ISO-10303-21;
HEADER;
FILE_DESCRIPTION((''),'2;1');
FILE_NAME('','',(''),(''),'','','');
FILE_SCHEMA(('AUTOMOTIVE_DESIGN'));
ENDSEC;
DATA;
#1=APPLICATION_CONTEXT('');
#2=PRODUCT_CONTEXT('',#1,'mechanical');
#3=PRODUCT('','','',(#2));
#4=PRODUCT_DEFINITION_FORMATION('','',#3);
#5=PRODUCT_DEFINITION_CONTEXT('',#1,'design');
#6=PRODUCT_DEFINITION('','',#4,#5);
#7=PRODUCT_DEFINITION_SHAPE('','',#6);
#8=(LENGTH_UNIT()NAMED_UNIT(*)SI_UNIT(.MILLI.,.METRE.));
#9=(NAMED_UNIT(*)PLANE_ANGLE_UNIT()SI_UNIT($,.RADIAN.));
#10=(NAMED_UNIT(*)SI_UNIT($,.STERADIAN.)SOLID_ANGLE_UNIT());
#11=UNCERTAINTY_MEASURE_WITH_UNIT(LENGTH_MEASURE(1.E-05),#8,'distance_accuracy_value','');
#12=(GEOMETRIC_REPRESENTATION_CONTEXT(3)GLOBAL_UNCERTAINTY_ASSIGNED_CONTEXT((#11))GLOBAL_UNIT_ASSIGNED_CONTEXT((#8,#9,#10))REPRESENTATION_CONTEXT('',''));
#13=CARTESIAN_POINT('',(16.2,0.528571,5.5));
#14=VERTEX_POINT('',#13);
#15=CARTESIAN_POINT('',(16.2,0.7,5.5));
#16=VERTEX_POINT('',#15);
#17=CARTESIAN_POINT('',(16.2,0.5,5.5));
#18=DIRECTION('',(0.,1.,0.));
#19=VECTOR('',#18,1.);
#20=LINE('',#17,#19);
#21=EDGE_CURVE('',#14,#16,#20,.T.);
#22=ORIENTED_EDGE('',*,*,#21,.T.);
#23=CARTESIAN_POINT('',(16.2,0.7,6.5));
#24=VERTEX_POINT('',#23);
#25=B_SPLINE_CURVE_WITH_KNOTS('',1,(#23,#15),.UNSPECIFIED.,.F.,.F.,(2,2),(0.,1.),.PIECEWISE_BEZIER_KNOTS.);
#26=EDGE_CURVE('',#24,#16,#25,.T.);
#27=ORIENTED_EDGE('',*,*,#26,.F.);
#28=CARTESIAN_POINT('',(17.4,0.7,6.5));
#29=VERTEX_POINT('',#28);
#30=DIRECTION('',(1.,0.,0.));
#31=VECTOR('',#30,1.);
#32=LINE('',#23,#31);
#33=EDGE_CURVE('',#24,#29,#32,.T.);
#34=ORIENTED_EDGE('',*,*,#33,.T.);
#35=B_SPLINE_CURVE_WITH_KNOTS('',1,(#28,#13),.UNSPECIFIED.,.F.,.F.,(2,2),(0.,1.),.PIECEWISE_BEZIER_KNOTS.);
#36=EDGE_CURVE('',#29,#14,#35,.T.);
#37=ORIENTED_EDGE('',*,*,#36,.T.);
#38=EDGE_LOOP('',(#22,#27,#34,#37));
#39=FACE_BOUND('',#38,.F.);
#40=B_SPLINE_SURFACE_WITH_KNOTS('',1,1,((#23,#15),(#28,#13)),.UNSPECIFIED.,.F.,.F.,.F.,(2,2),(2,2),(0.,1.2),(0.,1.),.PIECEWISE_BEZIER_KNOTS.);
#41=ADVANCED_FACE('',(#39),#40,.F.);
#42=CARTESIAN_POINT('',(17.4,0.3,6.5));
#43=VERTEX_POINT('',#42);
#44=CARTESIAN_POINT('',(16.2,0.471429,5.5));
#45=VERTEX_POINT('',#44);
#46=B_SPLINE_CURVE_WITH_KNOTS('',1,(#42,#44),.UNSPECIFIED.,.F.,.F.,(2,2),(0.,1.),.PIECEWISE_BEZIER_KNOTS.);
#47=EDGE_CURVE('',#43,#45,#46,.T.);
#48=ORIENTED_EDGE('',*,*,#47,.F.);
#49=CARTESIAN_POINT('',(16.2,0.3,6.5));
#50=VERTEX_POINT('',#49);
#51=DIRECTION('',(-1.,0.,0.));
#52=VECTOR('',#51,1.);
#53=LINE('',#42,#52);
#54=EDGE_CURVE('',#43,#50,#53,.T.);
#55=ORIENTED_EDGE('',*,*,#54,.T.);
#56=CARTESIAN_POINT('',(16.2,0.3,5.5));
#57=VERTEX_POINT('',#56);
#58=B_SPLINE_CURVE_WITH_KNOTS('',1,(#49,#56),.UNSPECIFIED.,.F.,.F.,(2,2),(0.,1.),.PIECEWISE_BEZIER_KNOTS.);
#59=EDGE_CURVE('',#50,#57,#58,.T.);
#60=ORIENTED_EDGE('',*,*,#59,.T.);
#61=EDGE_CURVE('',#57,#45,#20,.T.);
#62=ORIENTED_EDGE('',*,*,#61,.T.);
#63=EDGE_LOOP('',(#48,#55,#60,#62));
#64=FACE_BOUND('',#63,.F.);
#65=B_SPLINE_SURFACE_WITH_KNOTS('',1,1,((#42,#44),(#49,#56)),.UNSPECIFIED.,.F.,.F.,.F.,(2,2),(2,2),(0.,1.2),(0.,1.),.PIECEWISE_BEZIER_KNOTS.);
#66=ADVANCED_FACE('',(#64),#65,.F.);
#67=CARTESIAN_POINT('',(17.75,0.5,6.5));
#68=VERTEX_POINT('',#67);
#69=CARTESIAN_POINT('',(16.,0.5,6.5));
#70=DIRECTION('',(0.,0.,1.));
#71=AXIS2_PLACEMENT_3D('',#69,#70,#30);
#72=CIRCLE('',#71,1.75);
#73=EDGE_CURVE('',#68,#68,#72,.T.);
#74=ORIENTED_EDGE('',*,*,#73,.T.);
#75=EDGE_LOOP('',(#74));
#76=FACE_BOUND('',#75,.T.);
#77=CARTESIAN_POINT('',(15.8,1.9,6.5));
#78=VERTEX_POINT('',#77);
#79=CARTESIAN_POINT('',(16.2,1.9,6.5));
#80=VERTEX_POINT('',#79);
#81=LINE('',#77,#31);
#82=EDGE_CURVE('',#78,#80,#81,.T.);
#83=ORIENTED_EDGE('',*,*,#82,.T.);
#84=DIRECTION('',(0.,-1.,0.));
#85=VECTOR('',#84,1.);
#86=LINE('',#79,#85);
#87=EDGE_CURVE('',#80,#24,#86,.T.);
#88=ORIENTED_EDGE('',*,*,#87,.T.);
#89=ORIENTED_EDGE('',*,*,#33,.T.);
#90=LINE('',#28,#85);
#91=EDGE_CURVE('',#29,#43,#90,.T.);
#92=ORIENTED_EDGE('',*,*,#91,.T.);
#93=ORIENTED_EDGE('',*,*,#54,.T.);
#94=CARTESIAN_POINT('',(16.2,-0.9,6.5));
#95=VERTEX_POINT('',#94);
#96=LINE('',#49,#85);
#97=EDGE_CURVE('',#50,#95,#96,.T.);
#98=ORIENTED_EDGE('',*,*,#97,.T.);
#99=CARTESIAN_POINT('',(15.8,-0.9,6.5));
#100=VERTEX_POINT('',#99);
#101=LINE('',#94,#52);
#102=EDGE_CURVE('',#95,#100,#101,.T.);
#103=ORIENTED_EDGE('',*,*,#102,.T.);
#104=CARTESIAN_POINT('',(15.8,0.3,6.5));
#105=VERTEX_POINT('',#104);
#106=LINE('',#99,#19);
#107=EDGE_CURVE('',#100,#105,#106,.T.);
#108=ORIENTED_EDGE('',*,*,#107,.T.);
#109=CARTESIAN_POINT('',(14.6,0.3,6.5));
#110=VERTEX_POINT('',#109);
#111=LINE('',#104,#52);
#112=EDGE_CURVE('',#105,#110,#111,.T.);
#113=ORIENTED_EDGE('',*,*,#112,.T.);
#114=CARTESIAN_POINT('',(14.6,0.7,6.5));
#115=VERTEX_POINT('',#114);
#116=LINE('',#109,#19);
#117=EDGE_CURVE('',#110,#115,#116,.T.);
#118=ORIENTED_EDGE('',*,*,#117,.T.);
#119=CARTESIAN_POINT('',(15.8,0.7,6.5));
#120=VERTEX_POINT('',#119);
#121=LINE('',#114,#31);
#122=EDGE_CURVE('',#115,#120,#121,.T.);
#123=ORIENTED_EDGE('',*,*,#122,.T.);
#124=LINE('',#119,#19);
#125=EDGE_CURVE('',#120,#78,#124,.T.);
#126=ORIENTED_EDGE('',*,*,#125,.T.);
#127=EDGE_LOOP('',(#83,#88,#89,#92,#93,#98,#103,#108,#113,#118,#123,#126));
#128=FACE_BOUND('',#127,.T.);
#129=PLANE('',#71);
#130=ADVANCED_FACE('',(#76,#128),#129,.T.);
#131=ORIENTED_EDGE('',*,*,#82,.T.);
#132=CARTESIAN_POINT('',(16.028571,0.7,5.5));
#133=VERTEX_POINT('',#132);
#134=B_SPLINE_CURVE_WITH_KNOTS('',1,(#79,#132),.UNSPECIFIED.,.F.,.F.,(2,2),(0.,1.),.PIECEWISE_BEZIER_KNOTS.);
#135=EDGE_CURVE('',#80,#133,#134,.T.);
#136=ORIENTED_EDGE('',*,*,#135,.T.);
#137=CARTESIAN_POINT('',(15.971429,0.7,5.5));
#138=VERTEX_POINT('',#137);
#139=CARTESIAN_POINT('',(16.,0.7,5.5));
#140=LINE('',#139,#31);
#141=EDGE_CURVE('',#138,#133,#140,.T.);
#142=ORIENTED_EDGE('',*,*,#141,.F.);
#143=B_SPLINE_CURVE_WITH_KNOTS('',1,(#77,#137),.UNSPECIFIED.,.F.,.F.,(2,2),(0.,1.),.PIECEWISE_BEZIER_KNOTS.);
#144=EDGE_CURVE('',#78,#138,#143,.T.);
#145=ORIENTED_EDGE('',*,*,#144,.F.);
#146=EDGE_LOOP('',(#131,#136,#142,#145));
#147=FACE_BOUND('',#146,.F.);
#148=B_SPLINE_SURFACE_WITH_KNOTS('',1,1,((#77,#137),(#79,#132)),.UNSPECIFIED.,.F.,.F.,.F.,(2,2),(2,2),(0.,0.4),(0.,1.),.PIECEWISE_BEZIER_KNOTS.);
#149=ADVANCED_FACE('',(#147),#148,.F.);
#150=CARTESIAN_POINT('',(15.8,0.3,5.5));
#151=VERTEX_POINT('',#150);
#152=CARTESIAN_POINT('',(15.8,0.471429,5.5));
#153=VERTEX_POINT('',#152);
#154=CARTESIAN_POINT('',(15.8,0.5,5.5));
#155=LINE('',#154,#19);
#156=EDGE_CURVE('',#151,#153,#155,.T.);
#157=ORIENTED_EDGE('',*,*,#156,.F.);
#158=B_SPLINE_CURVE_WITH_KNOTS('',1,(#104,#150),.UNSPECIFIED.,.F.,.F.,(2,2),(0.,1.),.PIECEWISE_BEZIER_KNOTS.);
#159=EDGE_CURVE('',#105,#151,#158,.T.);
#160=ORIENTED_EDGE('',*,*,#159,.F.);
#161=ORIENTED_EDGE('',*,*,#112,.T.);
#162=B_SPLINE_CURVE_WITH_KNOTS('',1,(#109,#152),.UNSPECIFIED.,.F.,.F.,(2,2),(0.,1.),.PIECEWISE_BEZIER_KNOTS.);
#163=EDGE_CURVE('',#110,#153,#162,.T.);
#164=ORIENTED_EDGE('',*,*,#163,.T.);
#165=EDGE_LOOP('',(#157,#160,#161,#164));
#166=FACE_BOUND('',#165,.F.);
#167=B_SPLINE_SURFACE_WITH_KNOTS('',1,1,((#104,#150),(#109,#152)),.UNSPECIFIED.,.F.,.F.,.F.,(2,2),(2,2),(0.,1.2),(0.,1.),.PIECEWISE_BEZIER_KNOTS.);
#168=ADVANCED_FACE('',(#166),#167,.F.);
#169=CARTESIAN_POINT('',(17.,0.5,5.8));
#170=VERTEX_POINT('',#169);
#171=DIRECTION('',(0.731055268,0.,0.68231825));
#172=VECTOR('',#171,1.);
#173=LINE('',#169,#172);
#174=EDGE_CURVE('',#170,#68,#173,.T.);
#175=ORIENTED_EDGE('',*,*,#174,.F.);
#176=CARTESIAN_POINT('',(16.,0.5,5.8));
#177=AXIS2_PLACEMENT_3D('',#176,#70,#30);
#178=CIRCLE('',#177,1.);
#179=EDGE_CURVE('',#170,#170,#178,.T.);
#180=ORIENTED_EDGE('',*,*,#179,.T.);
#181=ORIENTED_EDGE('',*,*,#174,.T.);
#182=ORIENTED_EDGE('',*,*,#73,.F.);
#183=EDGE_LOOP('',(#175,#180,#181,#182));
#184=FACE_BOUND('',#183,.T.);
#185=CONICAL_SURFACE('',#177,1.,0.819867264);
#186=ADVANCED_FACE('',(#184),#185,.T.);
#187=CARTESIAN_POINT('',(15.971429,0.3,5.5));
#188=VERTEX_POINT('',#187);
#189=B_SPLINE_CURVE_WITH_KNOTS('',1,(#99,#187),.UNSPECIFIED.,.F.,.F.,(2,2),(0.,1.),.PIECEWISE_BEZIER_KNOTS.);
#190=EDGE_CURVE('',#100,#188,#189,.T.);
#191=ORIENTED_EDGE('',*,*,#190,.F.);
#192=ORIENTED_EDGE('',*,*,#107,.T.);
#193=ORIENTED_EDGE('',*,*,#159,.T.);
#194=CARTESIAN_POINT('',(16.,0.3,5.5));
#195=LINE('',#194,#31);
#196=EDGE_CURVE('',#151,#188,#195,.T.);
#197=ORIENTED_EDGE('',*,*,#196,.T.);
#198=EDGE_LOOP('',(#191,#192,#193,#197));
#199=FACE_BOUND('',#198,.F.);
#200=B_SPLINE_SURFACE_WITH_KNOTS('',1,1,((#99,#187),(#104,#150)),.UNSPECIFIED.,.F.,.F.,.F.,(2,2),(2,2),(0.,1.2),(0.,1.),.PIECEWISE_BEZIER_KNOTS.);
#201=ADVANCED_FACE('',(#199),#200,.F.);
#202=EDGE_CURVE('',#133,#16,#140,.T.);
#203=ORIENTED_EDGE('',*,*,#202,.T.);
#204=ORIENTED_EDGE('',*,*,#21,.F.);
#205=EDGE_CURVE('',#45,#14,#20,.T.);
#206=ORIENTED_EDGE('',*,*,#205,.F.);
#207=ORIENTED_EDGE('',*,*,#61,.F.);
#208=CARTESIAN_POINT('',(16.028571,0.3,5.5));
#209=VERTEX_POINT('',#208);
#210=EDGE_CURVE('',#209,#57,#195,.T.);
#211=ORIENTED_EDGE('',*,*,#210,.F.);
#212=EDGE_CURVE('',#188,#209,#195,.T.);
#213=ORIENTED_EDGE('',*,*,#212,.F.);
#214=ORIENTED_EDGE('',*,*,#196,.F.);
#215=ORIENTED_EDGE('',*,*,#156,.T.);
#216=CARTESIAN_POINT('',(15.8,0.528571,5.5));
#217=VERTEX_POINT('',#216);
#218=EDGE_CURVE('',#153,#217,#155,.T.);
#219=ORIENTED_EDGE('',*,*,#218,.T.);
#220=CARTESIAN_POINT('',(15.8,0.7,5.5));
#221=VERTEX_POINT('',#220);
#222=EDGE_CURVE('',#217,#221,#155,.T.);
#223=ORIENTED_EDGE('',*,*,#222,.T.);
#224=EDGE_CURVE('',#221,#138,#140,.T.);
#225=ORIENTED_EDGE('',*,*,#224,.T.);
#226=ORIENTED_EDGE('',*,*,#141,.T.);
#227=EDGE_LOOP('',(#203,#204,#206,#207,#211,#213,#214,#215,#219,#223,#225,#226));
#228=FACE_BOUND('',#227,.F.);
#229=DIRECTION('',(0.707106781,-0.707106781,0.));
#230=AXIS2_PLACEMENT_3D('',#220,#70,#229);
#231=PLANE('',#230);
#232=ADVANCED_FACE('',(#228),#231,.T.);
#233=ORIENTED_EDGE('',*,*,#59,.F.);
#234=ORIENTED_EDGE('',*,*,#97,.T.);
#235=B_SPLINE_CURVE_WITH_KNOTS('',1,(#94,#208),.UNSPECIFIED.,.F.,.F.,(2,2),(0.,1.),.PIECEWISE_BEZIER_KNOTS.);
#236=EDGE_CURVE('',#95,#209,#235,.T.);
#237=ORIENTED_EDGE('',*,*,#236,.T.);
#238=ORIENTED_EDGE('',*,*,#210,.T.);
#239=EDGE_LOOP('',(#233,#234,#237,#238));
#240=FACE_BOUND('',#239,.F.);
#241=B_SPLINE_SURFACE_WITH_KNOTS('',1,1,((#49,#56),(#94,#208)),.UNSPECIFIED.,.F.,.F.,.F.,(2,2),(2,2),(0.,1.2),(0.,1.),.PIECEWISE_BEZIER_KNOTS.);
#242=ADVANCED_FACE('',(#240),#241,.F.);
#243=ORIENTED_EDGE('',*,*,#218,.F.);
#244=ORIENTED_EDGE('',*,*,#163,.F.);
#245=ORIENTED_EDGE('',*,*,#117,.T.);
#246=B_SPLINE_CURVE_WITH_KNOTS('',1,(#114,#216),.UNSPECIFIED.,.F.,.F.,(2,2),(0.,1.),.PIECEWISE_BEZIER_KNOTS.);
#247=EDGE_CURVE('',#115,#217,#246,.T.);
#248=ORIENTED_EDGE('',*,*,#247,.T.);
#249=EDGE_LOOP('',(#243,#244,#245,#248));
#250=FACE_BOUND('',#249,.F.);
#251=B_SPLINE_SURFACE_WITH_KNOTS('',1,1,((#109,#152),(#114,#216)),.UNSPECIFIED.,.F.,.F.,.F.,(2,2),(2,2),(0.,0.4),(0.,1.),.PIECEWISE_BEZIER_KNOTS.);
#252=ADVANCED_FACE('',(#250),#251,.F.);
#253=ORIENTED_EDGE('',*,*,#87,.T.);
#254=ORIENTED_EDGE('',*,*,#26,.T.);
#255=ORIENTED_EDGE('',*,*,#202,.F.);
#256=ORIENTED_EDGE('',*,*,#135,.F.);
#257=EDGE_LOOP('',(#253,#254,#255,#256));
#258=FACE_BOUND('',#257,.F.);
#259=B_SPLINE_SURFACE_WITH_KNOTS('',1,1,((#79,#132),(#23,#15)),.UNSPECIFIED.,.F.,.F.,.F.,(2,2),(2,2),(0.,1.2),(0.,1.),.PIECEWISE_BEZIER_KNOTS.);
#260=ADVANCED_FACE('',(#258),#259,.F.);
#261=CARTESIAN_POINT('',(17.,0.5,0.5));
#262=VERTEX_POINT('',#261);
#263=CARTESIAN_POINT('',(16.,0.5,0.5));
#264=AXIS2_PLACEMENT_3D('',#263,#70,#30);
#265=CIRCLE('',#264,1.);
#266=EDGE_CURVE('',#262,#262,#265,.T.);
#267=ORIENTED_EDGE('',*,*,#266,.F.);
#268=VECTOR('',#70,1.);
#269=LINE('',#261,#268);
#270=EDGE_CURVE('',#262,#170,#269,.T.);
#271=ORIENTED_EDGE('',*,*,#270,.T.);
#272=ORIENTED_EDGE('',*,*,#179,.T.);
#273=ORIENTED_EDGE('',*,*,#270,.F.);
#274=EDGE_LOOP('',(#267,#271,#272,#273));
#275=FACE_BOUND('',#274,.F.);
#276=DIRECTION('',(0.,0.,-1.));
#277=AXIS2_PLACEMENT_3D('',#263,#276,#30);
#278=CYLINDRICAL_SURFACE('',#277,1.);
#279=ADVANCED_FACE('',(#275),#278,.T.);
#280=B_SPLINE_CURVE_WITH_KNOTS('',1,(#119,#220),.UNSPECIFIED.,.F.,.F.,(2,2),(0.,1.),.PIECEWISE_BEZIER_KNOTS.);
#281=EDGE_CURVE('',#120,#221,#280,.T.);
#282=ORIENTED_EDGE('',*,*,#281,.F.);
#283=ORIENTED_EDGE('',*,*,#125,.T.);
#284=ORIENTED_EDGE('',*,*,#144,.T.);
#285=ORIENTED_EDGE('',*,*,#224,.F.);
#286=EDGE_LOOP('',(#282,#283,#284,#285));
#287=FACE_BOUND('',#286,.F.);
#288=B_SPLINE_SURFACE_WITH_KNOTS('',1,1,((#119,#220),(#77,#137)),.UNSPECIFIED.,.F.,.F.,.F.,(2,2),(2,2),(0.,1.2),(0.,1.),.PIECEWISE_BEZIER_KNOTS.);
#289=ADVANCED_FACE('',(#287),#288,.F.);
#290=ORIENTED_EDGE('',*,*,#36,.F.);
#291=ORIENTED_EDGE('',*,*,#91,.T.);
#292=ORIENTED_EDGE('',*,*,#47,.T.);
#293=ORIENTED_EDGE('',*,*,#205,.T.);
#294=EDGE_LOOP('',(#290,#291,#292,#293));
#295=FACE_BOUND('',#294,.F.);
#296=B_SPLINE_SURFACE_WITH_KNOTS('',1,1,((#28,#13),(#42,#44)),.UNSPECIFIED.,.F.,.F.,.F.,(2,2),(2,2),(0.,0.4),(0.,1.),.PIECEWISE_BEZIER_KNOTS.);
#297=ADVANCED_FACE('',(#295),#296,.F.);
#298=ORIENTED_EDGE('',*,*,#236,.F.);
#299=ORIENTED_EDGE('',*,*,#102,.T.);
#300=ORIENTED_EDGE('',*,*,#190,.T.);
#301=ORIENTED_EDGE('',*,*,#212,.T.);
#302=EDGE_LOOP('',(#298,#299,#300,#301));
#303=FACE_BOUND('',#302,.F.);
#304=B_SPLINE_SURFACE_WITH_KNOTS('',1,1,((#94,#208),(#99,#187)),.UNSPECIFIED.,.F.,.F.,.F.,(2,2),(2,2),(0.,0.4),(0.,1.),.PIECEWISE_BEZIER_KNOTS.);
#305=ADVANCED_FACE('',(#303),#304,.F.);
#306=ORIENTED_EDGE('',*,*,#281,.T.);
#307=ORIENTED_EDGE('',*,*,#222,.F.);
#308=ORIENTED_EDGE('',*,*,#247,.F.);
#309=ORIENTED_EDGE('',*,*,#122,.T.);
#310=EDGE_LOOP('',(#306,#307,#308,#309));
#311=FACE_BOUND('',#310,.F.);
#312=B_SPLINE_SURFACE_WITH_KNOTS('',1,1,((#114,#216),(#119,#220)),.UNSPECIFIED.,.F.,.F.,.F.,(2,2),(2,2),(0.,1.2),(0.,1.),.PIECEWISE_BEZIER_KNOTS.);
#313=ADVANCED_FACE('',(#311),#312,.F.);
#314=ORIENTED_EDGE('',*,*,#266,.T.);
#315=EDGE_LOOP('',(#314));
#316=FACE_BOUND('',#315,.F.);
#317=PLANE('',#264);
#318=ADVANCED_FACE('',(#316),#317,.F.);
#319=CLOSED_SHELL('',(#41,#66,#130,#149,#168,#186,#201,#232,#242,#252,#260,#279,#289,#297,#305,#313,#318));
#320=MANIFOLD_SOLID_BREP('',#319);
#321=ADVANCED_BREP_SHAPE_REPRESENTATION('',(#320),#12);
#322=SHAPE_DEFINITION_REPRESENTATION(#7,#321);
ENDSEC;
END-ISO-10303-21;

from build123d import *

# Parameters (mm, degrees)
CYLINDER022_R     = 1
CYLINDER022_DEPTH = 5.5
SKETCH009_W       = 0.4
SKETCH009_H       = 0.4


with BuildPart() as part:
    # Cylinder022 → Cylinder022 (join)
    with BuildSketch(Plane.XY.offset(4)):
        Circle(CYLINDER022_R)
    extrude(amount=CYLINDER022_DEPTH)

    # Cone002 → Cone002 (revolve)
    with BuildSketch(Plane(origin=(0, 0, 9.3), x_dir=(1, 0, 0), z_dir=(0, -1, 0))):
        Polygon((0, 0), (1, 0), (1.75, 0.7), (0, 0.7), align=None)
    revolve(axis=Axis((0, 0, 9.3), (0, 0, 1)))

    # Sketch008 (on Face4 of Cone002) → SubtractiveLoft section 0
    with BuildSketch(Plane.XY.offset(10)):
        Polygon((-0.2, 0.2), (-0.2, 1.4), (0.2, 1.4), (0.2, 0.2), (1.4, 0.2), (1.4, -0.2), (0.2, -0.2), (0.2, -1.4), (-0.2, -1.4), (-0.2, -0.2), (-1.4, -0.2), (-1.4, 0.2), align=None)
    # Sketch009 (on Face4 of Cone002) → SubtractiveLoft section 1
    with BuildSketch(Plane.XY.offset(9)):
        Rectangle(SKETCH009_W, SKETCH009_H)
    loft(mode=Mode.SUBTRACT)


with BuildPart() as part_1:
    # Body010 placement: moved
    add(part.part.moved(Location((16, 0.5, -3.5))))


solid = part_1.part
